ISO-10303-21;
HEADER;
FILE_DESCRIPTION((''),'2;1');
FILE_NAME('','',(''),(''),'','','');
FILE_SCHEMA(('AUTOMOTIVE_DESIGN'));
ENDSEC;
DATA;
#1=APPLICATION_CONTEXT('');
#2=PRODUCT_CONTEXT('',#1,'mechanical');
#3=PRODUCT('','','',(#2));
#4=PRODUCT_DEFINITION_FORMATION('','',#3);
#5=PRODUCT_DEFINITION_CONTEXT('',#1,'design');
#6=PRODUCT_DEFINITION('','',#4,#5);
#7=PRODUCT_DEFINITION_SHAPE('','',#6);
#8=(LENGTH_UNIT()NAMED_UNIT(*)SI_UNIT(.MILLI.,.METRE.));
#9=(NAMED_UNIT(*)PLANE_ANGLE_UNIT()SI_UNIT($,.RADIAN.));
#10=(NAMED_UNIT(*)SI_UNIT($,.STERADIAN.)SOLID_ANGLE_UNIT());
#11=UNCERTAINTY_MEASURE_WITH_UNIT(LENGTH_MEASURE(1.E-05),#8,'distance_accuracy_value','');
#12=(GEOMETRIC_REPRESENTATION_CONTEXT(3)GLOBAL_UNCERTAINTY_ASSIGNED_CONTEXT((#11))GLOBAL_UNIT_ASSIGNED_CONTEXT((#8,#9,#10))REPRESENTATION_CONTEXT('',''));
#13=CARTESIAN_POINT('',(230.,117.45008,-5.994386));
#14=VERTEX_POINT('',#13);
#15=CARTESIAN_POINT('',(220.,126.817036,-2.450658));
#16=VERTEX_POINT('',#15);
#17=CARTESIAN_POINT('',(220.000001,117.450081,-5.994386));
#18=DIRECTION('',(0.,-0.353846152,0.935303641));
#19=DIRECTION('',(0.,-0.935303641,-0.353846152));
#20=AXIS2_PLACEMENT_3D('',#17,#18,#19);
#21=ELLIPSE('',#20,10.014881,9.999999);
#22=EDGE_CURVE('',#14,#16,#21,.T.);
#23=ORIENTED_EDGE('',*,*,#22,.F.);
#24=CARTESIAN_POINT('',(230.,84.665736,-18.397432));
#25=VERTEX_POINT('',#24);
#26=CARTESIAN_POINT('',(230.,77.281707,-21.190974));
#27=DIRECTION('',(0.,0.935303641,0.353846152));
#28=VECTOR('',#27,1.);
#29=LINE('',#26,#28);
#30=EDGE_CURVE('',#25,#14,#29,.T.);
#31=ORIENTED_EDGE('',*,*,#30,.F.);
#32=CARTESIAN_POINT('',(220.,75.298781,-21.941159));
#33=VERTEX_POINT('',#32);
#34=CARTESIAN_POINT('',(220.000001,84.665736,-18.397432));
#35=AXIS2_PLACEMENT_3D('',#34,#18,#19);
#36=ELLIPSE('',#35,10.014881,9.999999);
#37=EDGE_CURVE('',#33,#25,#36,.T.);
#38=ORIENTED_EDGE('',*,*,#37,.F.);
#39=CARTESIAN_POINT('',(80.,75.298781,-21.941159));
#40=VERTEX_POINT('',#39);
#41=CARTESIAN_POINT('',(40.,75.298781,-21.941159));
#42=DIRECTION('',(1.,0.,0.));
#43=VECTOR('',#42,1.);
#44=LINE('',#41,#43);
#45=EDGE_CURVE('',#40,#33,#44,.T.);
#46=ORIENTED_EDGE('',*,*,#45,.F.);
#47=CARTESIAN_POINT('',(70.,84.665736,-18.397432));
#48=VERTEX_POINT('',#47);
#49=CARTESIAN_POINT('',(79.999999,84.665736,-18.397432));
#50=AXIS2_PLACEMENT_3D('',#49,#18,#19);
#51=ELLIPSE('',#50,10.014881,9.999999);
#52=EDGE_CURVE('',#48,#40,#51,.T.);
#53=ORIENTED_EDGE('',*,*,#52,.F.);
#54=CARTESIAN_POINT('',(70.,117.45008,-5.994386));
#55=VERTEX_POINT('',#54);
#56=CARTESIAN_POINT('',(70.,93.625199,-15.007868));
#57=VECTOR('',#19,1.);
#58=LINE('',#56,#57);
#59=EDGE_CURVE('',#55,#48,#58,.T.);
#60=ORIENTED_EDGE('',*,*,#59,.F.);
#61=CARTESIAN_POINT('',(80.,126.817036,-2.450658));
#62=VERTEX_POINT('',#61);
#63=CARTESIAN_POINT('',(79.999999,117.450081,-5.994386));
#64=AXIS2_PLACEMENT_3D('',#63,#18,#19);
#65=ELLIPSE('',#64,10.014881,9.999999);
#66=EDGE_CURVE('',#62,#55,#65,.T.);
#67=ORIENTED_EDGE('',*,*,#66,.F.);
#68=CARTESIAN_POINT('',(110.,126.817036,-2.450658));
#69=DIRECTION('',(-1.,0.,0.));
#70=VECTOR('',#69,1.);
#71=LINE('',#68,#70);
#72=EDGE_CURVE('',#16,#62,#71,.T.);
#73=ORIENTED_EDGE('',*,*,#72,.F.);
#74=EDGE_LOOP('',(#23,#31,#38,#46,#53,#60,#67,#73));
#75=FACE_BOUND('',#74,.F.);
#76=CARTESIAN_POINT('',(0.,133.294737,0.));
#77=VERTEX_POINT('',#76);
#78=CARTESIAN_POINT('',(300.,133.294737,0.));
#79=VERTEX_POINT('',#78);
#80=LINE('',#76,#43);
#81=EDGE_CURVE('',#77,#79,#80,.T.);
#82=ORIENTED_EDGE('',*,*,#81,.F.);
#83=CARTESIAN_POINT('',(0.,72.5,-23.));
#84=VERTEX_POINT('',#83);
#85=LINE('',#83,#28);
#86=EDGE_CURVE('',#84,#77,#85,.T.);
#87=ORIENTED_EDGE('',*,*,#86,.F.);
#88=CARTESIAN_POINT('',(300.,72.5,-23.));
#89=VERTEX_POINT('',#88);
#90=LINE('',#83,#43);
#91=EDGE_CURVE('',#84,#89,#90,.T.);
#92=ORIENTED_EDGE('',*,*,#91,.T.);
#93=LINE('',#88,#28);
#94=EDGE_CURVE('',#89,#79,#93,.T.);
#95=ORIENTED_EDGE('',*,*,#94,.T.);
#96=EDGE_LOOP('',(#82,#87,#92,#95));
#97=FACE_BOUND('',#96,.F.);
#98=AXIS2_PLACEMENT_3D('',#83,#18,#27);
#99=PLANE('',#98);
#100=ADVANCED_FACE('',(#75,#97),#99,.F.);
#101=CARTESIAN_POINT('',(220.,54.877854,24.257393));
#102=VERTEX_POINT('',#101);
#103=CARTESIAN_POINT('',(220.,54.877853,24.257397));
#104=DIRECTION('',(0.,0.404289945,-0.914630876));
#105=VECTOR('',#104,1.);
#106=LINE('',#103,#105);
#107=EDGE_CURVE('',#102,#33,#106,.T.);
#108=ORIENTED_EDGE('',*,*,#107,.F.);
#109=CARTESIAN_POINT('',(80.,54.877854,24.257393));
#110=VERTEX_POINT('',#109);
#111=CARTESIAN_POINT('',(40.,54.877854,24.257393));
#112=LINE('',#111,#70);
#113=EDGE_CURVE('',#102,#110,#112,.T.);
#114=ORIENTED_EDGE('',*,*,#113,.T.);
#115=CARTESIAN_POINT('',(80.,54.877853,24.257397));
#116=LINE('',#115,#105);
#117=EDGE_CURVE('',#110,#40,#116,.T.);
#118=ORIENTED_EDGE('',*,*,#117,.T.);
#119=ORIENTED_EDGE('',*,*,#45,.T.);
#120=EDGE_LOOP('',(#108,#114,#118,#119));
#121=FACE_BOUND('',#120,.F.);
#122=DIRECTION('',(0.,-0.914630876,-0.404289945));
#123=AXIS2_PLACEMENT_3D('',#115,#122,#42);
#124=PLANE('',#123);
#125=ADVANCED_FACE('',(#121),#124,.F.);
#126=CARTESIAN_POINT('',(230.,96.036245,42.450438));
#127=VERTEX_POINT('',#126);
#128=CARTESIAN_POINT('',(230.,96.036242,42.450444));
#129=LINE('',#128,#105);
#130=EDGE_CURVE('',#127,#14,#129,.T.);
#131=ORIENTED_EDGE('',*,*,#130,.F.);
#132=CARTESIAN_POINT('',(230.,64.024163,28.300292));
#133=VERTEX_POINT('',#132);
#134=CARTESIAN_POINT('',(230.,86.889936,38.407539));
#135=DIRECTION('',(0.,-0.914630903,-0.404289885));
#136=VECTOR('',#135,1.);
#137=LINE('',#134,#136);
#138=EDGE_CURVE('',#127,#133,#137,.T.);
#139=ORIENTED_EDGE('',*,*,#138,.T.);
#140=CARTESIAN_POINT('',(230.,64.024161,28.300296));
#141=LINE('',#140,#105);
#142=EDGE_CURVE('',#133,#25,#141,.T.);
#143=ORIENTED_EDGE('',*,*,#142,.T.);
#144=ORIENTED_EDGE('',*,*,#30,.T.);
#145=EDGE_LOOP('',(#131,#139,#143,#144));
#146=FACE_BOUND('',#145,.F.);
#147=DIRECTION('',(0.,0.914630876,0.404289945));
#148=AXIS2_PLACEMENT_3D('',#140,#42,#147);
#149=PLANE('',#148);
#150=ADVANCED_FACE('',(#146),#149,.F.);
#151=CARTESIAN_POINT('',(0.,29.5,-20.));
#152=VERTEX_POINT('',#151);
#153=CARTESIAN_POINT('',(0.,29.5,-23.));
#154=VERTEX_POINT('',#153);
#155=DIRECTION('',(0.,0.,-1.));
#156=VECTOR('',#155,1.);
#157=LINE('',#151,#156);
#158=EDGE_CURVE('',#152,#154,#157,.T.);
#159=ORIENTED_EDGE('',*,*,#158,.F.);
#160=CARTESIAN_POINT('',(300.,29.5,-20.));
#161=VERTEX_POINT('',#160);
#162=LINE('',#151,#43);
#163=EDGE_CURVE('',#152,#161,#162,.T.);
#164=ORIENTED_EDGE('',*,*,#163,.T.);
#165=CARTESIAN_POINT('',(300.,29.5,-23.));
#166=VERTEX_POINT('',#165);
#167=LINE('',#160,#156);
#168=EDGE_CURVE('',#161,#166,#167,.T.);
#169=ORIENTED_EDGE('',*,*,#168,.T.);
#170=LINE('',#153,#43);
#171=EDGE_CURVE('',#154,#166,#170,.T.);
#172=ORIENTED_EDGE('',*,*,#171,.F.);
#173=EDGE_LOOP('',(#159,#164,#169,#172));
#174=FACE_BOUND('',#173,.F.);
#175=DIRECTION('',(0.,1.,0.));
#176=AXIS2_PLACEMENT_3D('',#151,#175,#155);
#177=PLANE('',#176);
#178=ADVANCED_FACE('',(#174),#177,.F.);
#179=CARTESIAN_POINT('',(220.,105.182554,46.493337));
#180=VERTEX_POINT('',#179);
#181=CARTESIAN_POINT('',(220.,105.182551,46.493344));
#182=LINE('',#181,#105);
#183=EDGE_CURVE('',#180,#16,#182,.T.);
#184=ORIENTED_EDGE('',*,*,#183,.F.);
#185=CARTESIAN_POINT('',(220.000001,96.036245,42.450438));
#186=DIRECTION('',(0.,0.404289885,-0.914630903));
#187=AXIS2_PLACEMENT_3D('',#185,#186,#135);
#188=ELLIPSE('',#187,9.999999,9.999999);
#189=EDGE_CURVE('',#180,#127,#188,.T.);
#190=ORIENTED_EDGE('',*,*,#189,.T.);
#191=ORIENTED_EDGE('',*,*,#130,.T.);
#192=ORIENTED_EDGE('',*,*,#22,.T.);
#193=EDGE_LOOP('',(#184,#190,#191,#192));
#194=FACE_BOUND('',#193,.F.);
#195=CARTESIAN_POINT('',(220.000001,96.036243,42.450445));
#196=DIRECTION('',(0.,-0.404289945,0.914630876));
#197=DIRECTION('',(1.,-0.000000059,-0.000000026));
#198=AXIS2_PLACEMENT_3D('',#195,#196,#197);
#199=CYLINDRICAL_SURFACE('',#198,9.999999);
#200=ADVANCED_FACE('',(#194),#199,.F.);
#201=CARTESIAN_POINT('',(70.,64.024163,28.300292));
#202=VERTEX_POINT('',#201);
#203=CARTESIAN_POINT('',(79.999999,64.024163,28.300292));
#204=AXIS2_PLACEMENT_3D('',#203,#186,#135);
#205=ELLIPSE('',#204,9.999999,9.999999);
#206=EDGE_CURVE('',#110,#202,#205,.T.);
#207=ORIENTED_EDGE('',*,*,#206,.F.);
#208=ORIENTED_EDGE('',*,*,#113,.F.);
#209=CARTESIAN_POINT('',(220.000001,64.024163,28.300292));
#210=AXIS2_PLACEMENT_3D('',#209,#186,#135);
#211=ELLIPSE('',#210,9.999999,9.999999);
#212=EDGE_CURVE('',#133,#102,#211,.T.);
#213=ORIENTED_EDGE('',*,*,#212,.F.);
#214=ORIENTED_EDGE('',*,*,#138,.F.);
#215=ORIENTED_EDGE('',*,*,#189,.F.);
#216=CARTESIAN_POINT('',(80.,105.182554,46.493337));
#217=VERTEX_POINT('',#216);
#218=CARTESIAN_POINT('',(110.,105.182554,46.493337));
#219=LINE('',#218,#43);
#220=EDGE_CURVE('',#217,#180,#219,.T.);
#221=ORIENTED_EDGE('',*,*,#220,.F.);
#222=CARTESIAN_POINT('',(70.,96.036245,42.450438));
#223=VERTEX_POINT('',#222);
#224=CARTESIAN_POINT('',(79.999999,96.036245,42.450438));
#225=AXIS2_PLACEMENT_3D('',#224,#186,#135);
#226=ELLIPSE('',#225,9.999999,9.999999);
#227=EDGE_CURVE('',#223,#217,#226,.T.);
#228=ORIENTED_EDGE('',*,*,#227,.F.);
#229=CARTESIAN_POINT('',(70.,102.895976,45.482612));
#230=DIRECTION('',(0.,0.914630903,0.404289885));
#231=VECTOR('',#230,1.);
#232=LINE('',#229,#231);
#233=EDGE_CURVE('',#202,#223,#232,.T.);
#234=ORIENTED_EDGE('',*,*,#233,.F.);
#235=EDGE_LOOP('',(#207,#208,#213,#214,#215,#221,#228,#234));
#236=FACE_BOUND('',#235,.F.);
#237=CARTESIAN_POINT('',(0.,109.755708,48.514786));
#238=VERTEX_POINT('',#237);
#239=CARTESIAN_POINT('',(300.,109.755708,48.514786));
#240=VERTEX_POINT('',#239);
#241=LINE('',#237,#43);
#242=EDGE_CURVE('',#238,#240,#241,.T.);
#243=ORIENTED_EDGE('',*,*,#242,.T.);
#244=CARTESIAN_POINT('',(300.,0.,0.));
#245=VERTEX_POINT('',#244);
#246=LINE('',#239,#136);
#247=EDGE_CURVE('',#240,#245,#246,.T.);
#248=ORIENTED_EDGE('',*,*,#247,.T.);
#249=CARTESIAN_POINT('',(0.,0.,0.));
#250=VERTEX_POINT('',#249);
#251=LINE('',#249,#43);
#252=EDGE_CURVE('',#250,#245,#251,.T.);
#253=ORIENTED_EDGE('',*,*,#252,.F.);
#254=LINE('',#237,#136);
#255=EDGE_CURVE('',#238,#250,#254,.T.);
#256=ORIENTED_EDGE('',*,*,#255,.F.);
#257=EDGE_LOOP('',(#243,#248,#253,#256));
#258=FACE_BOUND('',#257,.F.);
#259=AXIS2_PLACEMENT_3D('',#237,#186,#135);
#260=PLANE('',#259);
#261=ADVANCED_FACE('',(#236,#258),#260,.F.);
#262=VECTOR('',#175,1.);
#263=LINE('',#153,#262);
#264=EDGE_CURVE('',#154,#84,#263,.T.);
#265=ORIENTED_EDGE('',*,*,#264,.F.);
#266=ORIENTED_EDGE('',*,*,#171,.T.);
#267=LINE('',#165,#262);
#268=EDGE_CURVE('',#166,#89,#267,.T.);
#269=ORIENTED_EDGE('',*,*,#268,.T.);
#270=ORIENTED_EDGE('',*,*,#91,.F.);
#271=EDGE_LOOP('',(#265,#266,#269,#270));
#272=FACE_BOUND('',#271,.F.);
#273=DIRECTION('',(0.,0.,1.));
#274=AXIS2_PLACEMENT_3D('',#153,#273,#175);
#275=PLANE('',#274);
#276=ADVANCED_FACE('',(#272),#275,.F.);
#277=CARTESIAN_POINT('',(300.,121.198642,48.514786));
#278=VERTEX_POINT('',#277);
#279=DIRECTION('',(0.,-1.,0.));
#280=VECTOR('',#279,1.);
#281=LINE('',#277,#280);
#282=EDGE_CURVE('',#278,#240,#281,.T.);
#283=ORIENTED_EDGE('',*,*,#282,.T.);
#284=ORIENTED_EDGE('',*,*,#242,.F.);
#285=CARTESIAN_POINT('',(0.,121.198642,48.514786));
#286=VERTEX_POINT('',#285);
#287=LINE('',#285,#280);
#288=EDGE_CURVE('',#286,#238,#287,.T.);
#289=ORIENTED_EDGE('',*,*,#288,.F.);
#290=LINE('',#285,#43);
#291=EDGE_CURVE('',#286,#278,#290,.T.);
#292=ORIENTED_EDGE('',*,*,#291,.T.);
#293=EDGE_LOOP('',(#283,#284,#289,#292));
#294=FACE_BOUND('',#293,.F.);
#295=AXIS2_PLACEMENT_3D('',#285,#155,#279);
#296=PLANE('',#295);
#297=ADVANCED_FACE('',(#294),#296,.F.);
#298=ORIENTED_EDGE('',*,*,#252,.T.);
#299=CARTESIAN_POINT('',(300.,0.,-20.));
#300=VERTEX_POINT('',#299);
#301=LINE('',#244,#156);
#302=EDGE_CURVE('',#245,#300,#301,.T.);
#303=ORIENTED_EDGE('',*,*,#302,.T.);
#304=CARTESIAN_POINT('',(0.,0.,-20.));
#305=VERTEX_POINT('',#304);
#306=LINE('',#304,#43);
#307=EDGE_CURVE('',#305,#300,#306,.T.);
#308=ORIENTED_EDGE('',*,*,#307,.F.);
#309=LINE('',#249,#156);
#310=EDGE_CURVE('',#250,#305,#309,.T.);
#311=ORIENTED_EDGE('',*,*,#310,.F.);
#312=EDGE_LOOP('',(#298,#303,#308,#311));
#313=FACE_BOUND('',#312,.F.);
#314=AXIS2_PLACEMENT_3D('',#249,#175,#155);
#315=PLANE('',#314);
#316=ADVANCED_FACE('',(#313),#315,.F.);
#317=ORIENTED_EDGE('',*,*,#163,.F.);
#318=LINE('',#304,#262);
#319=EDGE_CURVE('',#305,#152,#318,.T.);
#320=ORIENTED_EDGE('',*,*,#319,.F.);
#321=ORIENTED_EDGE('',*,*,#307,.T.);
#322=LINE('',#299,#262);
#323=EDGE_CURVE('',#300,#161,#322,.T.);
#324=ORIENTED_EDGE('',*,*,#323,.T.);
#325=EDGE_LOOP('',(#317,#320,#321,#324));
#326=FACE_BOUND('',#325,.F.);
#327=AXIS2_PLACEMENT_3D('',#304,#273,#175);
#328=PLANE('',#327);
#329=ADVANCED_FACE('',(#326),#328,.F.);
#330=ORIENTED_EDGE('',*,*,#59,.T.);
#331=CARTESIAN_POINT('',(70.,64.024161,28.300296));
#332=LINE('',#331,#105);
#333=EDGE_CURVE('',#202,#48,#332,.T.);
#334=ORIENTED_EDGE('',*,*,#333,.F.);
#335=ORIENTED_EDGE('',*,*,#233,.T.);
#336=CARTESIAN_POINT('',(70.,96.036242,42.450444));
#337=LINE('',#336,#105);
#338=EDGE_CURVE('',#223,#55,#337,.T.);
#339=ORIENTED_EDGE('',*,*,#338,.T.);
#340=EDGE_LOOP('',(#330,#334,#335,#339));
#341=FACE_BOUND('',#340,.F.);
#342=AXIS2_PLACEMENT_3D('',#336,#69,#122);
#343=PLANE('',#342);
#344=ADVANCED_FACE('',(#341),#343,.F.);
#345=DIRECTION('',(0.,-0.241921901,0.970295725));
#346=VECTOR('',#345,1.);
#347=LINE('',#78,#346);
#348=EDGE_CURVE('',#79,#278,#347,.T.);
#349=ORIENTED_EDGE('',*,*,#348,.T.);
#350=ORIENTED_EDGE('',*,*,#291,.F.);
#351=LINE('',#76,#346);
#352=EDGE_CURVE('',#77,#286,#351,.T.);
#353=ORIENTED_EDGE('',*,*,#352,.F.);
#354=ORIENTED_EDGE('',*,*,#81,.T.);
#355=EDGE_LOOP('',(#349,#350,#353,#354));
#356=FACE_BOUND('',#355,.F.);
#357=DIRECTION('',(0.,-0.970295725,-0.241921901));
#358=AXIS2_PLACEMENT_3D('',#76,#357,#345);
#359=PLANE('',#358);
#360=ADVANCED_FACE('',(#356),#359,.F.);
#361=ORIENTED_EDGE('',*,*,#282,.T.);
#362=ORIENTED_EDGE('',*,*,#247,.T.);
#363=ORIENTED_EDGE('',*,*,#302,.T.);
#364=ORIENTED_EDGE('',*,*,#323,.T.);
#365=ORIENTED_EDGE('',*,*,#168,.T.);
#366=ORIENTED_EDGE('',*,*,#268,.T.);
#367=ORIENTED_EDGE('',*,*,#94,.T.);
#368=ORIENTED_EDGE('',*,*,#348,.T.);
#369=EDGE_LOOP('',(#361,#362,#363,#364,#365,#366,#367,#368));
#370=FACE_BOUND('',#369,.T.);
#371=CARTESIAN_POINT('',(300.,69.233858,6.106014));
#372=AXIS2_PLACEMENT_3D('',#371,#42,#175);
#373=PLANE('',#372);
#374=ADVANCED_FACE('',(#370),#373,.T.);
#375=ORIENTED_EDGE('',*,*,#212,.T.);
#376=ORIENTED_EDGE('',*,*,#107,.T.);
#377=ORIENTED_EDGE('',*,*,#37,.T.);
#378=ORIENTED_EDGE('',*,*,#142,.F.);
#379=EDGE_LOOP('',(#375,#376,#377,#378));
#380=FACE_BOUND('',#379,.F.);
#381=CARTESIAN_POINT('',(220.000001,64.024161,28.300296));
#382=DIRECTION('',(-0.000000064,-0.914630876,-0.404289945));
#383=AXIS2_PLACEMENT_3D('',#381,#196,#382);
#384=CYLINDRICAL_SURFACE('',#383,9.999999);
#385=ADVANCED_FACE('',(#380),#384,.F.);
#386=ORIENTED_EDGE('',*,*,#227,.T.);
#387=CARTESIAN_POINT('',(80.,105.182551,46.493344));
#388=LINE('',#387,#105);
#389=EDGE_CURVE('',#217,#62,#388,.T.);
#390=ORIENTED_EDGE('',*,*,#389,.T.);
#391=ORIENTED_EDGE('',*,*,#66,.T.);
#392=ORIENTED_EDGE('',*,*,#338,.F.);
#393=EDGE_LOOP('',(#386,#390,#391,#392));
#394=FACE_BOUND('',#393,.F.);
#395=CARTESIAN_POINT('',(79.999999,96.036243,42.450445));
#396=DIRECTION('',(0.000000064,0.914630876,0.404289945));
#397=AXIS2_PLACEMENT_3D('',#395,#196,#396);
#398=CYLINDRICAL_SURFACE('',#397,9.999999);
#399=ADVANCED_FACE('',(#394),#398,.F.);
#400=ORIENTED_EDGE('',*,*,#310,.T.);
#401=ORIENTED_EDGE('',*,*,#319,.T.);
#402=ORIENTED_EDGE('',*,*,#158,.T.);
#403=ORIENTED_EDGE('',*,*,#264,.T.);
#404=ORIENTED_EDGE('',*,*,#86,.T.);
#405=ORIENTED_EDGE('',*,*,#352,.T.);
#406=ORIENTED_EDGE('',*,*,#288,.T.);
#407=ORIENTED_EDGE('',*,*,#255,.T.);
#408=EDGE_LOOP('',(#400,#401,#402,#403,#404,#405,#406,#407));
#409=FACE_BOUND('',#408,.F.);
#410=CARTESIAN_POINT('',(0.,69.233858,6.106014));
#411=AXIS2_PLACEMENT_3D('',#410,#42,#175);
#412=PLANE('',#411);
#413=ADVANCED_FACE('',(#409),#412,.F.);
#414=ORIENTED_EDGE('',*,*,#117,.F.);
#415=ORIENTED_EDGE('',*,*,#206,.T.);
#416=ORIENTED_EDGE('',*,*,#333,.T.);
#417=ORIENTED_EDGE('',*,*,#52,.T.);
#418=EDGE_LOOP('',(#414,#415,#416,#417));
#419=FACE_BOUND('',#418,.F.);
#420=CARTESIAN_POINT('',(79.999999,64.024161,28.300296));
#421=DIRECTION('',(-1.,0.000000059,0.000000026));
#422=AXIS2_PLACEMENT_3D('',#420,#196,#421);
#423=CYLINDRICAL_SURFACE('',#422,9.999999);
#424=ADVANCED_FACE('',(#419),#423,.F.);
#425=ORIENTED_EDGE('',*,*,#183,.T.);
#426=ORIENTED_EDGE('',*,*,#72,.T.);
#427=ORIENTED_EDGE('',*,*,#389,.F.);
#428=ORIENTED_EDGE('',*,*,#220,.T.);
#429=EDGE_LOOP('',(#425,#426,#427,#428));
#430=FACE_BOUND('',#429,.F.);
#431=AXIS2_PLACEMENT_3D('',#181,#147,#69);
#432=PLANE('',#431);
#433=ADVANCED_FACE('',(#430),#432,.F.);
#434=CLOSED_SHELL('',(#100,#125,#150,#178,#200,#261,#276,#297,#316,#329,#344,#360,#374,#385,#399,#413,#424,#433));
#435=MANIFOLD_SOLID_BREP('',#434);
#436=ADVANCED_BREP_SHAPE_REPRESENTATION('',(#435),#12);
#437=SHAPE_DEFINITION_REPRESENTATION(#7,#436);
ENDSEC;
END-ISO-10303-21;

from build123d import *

# Parameters (mm, degrees)
F1_DEPTH = 300
F3_DEPTH = 106


with BuildPart() as f1:
    # F0 (on Right) → F1 (new body)
    with BuildSketch(Plane.YZ):
        Polygon((0, 0), (0, -20), (29.5, -20), (29.5, -23), (72.5, -23), (133.294737, 0), (121.198642, 48.514786), (109.755708, 48.514786), align=None)
    extrude(amount=F1_DEPTH)

    # F2 (on face) → F3 (cut)
    with BuildSketch(Plane(origin=(0, 0, 0), x_dir=(1, 0, 0), z_dir=(0, -0.40429, 0.914631))):
        with BuildLine():
            Line((220, 115), (80, 115))
            ThreePointArc((80, 115), (72.928932, 112.071068), (70, 105))
            Line((70, 105), (70, 70))
            ThreePointArc((70, 70), (72.928932, 62.928932), (80, 60))
            Line((80, 60), (220, 60))
            ThreePointArc((220, 60), (227.071068, 62.928932), (230, 70))
            Line((230, 70), (230, 105))
            ThreePointArc((230, 105), (227.071068, 112.071068), (220, 115))
        make_face()
    extrude(amount=-F3_DEPTH, mode=Mode.SUBTRACT)


solid = f1.part
